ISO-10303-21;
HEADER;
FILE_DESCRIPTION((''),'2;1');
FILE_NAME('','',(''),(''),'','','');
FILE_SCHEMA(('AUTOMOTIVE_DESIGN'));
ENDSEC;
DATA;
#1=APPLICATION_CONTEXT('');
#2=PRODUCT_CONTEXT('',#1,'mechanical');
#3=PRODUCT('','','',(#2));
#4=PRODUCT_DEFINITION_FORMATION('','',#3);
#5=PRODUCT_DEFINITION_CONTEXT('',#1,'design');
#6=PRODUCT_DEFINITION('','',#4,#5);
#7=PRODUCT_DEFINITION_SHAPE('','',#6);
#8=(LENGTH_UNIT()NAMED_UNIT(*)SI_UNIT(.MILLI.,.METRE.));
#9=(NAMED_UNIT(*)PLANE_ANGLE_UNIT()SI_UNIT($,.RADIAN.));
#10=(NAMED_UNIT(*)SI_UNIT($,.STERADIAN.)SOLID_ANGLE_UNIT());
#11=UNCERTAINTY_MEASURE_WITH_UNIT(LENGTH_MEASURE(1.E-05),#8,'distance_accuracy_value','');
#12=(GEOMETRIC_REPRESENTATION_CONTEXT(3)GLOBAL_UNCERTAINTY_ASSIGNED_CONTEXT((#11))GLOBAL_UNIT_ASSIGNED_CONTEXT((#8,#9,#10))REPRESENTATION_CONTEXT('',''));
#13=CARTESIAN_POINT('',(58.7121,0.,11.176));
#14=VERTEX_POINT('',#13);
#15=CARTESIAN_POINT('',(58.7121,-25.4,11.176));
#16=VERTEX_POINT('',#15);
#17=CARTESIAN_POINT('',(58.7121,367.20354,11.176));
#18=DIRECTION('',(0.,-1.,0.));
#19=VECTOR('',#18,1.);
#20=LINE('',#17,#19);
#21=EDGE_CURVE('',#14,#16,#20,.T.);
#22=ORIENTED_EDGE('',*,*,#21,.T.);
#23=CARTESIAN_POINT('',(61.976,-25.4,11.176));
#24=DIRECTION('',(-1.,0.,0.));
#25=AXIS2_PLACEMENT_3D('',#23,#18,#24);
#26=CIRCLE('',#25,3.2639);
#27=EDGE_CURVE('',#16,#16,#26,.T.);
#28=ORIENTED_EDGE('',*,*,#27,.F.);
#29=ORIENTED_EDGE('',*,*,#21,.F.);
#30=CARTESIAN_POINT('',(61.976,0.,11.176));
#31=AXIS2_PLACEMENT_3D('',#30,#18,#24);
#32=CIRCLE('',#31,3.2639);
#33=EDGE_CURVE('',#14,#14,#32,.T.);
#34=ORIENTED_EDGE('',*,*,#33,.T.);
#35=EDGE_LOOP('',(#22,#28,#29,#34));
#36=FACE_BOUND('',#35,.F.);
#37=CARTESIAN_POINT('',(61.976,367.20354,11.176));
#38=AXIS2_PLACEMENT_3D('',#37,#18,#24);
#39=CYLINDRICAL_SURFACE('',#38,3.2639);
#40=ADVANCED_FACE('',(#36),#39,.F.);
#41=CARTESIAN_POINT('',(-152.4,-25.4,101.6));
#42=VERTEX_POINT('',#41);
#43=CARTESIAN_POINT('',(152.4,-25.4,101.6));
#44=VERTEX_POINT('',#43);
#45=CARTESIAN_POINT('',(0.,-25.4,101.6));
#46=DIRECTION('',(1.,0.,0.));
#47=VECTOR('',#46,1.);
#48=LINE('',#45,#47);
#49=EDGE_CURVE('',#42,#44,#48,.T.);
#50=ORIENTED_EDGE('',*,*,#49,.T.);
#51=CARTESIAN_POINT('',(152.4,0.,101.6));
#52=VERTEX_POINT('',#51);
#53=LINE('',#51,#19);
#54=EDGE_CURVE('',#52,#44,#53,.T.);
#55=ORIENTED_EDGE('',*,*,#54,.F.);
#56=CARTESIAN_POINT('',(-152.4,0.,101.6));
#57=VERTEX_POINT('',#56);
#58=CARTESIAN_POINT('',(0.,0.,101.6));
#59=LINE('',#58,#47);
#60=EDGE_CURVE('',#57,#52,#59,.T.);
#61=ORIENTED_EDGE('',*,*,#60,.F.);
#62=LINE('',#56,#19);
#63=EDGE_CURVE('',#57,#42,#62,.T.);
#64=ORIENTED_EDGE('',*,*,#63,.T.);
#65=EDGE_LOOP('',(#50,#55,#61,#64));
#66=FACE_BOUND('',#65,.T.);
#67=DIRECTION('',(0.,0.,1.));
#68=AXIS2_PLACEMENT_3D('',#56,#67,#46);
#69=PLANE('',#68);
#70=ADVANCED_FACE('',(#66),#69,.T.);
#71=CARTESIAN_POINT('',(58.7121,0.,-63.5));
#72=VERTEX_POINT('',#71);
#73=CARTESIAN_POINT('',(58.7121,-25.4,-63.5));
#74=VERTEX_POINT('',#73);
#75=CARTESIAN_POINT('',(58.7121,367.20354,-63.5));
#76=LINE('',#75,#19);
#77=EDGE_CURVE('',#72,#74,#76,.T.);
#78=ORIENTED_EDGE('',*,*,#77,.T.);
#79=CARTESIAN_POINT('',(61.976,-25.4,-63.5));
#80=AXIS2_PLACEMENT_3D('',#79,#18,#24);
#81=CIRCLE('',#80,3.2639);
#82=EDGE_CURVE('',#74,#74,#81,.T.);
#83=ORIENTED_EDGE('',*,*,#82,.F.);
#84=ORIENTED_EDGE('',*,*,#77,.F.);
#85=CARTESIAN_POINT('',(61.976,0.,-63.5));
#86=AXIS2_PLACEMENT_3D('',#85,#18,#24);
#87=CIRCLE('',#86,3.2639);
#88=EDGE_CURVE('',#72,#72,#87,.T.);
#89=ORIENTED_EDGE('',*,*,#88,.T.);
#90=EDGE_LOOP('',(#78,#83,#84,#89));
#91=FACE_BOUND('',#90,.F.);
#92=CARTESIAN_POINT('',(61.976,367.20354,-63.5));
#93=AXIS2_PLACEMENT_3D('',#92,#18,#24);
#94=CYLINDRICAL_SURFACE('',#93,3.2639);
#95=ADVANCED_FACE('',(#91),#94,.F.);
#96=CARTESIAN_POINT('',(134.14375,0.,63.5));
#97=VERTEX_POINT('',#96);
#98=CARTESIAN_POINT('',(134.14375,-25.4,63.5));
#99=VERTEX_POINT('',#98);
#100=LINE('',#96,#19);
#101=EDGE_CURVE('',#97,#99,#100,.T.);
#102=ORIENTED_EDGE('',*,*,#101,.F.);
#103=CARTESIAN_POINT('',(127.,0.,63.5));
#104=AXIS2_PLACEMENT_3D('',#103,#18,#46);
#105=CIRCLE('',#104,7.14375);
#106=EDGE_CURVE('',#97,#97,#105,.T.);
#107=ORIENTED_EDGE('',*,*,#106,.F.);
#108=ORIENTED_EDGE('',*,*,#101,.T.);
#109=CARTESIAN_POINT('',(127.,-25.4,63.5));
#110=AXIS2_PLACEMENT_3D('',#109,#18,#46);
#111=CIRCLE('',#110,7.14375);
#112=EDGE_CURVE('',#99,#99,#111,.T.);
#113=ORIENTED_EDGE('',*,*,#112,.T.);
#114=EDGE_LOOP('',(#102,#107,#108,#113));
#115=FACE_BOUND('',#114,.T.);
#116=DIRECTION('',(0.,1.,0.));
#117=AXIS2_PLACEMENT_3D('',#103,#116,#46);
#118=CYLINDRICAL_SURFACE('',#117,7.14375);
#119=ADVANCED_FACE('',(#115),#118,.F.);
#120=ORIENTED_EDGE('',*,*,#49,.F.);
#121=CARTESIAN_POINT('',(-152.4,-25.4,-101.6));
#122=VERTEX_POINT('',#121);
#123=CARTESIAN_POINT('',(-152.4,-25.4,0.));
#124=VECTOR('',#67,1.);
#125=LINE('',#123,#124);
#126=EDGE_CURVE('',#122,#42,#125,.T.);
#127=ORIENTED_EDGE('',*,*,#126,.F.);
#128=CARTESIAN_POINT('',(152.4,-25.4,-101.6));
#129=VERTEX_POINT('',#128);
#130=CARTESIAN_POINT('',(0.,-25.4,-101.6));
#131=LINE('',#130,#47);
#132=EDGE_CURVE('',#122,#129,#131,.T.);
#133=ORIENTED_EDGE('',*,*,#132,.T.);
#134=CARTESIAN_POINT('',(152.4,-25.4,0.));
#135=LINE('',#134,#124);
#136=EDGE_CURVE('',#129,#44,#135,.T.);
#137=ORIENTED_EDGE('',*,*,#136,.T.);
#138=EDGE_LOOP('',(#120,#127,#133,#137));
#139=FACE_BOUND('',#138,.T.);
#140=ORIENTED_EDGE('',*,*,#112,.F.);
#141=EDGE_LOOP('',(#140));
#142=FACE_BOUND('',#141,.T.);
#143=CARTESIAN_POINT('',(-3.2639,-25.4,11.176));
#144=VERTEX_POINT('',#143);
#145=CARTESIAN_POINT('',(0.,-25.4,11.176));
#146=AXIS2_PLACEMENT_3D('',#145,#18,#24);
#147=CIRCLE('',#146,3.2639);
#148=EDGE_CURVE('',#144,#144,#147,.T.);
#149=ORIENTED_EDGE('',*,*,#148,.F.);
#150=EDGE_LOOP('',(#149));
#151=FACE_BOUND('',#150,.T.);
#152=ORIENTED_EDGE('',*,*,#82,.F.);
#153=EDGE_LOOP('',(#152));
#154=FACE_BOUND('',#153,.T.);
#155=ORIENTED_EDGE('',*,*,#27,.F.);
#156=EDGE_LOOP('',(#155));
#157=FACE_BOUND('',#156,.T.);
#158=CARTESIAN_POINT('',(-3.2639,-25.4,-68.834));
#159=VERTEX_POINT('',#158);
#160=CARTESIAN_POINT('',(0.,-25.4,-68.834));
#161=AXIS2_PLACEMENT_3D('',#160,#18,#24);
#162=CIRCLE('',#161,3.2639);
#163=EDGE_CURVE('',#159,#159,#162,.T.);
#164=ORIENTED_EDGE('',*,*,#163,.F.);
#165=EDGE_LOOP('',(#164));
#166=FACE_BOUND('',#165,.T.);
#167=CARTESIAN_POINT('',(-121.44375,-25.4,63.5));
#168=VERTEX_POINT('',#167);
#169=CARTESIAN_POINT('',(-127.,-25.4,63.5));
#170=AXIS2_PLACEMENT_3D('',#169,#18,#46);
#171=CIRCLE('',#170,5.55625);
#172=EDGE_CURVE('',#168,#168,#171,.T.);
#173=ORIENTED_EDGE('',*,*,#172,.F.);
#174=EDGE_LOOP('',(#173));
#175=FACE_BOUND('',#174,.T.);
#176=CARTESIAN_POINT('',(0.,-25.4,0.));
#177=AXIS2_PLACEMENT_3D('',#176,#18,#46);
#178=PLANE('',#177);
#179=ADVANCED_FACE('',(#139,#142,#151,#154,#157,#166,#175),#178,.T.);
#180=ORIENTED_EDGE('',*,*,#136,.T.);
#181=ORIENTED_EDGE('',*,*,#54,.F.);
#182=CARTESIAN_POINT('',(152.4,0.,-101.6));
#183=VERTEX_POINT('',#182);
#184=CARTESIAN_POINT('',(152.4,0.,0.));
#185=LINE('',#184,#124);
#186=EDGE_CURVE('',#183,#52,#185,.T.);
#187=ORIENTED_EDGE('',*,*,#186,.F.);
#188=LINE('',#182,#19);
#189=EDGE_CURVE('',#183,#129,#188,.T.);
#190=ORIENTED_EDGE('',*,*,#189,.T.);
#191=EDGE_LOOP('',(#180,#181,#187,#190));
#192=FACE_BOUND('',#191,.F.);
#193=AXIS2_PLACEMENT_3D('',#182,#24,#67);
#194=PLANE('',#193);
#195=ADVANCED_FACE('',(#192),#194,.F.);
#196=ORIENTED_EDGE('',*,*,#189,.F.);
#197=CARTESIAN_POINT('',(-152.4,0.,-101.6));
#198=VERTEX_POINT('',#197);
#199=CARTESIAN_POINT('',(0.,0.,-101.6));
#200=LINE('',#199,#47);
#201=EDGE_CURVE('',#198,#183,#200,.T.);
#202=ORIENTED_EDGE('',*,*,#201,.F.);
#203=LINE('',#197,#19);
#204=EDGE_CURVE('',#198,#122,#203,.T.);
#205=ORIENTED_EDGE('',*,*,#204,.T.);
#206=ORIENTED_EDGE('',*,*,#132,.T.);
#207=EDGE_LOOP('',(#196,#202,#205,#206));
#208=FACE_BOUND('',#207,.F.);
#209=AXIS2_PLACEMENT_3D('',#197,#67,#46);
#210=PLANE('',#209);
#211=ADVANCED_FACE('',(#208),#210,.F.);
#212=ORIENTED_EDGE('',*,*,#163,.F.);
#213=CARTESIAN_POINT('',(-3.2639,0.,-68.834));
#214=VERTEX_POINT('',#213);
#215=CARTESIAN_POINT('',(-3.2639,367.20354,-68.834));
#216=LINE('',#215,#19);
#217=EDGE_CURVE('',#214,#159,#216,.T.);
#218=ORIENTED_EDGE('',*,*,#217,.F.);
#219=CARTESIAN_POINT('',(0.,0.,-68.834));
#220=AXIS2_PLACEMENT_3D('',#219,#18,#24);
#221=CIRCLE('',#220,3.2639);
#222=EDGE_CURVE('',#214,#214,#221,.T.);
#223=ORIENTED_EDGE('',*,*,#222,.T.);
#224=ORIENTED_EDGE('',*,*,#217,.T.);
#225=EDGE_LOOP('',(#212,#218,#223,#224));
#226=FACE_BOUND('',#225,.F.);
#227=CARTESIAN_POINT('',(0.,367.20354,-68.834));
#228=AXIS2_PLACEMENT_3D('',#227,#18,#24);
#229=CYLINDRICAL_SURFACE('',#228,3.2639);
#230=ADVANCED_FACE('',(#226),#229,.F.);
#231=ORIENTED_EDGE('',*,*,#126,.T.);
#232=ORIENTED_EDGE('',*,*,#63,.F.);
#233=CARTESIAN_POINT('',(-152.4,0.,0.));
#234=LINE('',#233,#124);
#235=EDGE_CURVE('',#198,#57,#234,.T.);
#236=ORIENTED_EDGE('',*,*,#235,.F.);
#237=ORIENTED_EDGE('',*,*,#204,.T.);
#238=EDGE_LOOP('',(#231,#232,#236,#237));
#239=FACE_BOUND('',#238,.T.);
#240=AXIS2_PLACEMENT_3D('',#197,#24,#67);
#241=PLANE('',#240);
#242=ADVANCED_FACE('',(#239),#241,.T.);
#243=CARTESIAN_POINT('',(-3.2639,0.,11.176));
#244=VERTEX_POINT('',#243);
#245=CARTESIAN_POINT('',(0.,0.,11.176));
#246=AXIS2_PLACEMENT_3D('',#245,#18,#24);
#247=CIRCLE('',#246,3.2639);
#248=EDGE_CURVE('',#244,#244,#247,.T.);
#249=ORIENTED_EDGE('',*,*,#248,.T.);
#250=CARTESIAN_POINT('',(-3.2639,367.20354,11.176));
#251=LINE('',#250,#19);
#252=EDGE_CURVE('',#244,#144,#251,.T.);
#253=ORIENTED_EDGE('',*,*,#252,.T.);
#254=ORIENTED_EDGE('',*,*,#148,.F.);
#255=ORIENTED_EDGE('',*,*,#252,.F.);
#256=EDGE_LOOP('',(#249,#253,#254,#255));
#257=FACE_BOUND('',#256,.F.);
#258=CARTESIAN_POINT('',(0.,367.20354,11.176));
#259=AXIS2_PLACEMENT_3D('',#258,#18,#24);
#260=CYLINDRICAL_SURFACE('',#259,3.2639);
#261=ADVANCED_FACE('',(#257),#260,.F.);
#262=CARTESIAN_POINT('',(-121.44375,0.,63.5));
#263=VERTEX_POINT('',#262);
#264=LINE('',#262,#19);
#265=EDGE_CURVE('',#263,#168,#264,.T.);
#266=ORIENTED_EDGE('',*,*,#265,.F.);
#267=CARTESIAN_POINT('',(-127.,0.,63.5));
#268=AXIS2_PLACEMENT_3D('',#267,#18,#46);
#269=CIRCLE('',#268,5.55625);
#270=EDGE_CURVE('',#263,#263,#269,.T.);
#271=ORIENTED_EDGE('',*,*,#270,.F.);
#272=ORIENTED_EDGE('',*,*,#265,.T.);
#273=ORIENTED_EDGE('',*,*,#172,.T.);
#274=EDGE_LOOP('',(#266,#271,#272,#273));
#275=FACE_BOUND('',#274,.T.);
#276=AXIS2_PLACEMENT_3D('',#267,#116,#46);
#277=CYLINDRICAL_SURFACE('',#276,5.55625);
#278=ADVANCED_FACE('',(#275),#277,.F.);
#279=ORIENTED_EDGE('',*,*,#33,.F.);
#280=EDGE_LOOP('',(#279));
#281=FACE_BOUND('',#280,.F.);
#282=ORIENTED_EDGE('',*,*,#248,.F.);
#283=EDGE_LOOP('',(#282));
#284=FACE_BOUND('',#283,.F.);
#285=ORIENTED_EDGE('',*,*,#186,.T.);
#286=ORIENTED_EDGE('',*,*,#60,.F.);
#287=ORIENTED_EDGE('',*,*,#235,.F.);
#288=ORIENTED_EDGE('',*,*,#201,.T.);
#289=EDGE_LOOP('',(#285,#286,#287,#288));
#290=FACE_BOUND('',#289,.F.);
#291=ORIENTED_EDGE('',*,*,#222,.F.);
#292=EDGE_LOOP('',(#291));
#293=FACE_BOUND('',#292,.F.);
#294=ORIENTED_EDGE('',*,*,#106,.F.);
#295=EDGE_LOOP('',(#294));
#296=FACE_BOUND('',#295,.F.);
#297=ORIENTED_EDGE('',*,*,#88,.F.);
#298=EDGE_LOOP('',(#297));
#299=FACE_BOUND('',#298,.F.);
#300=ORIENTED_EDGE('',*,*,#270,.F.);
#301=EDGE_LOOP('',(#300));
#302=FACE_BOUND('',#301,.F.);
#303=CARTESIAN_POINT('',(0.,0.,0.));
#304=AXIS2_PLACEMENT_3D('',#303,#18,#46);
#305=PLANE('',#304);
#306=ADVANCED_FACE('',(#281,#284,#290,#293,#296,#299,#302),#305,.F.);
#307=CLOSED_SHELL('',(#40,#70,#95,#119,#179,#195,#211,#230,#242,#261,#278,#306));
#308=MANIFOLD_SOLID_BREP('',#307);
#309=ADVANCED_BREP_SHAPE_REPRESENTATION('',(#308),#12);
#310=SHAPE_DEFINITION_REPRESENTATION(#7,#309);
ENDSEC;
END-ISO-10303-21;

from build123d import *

# Parameters (mm, degrees)
F0_W     = 304.8
F0_H     = 203.2
F0_W_2   = 61.976
F0_H_2   = 74.676
F0_R     = 5.55625
F0_R_2   = 7.14375
F1_DEPTH = 25.4
F2_D     = 6.5278


with BuildPart() as f1:
    # F0 (on Front) → F1 (new body)
    with BuildSketch(Plane.XZ):
        Rectangle(F0_W, F0_H)
        with Locations((30.988, -26.162)):
            Rectangle(F0_W_2, F0_H_2, mode=Mode.SUBTRACT)
        with Locations((-127, 63.5)):
            Circle(F0_R, mode=Mode.SUBTRACT)
        with Locations((127, 63.5)):
            Circle(F0_R_2, mode=Mode.SUBTRACT)
        with Locations((30.988, -26.162)):
            Rectangle(F0_W_2, F0_H_2)
    extrude(amount=F1_DEPTH)

    # F2 (through all)
    with Locations(Plane(origin=(0, 0, 0), x_dir=(1, 0, 0), z_dir=(0, 1, 0))):
        with Locations((0, -11.176), (61.976, -11.176), (61.976, 63.5), (0, 68.834)):
            Hole(F2_D / 2)


solid = f1.part
